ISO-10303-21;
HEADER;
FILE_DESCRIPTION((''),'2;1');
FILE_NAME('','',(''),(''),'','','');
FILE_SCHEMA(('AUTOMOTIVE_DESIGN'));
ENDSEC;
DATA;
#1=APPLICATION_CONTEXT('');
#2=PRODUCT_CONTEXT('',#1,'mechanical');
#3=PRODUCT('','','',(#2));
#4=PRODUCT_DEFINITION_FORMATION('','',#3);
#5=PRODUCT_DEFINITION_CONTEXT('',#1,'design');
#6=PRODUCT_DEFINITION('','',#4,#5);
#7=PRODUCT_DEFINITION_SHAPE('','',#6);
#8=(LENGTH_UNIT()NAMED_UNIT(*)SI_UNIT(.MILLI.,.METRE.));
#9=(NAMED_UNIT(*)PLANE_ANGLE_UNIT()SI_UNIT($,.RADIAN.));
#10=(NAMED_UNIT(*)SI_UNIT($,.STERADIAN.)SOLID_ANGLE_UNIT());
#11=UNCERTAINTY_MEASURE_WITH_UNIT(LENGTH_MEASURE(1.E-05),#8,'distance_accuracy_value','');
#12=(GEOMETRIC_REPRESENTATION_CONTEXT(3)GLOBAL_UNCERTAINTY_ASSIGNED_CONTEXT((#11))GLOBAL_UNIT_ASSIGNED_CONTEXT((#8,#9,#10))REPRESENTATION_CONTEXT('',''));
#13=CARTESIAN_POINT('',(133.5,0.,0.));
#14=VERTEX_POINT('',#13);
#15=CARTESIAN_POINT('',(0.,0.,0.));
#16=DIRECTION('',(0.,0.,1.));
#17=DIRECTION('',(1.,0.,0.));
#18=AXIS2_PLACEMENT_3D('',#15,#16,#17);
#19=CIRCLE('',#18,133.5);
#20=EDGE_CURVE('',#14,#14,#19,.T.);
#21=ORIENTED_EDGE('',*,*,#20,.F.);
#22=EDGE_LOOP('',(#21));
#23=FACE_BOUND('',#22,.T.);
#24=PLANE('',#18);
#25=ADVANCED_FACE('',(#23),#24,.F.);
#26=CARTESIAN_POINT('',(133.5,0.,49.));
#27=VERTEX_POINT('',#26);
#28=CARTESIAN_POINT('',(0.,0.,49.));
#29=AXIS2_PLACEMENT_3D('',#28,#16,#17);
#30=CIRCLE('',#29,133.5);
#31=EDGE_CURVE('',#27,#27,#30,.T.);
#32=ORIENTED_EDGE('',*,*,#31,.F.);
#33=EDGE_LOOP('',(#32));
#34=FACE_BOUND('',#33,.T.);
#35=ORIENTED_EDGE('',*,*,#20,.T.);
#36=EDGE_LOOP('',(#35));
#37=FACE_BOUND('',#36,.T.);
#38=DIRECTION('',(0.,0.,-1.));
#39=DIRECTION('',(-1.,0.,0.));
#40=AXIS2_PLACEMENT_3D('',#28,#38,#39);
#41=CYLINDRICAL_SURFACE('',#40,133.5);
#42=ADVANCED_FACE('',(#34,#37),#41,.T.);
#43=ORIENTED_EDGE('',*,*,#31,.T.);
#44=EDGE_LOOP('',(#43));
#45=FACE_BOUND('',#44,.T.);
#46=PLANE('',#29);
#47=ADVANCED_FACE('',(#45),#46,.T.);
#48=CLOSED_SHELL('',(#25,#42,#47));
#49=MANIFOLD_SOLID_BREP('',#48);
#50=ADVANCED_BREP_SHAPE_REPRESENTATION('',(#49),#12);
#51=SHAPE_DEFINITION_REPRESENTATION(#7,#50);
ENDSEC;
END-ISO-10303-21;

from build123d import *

# Parameters (mm, degrees)
SKETCH1_R           = 133.5
BOSS_EXTRUDE1_DEPTH = 49


with BuildPart() as part:
    # Sketch1 → Boss-Extrude1 (new body)
    with BuildSketch(Plane.XY):
        Circle(SKETCH1_R)
    extrude(amount=BOSS_EXTRUDE1_DEPTH)


solid = part.part
